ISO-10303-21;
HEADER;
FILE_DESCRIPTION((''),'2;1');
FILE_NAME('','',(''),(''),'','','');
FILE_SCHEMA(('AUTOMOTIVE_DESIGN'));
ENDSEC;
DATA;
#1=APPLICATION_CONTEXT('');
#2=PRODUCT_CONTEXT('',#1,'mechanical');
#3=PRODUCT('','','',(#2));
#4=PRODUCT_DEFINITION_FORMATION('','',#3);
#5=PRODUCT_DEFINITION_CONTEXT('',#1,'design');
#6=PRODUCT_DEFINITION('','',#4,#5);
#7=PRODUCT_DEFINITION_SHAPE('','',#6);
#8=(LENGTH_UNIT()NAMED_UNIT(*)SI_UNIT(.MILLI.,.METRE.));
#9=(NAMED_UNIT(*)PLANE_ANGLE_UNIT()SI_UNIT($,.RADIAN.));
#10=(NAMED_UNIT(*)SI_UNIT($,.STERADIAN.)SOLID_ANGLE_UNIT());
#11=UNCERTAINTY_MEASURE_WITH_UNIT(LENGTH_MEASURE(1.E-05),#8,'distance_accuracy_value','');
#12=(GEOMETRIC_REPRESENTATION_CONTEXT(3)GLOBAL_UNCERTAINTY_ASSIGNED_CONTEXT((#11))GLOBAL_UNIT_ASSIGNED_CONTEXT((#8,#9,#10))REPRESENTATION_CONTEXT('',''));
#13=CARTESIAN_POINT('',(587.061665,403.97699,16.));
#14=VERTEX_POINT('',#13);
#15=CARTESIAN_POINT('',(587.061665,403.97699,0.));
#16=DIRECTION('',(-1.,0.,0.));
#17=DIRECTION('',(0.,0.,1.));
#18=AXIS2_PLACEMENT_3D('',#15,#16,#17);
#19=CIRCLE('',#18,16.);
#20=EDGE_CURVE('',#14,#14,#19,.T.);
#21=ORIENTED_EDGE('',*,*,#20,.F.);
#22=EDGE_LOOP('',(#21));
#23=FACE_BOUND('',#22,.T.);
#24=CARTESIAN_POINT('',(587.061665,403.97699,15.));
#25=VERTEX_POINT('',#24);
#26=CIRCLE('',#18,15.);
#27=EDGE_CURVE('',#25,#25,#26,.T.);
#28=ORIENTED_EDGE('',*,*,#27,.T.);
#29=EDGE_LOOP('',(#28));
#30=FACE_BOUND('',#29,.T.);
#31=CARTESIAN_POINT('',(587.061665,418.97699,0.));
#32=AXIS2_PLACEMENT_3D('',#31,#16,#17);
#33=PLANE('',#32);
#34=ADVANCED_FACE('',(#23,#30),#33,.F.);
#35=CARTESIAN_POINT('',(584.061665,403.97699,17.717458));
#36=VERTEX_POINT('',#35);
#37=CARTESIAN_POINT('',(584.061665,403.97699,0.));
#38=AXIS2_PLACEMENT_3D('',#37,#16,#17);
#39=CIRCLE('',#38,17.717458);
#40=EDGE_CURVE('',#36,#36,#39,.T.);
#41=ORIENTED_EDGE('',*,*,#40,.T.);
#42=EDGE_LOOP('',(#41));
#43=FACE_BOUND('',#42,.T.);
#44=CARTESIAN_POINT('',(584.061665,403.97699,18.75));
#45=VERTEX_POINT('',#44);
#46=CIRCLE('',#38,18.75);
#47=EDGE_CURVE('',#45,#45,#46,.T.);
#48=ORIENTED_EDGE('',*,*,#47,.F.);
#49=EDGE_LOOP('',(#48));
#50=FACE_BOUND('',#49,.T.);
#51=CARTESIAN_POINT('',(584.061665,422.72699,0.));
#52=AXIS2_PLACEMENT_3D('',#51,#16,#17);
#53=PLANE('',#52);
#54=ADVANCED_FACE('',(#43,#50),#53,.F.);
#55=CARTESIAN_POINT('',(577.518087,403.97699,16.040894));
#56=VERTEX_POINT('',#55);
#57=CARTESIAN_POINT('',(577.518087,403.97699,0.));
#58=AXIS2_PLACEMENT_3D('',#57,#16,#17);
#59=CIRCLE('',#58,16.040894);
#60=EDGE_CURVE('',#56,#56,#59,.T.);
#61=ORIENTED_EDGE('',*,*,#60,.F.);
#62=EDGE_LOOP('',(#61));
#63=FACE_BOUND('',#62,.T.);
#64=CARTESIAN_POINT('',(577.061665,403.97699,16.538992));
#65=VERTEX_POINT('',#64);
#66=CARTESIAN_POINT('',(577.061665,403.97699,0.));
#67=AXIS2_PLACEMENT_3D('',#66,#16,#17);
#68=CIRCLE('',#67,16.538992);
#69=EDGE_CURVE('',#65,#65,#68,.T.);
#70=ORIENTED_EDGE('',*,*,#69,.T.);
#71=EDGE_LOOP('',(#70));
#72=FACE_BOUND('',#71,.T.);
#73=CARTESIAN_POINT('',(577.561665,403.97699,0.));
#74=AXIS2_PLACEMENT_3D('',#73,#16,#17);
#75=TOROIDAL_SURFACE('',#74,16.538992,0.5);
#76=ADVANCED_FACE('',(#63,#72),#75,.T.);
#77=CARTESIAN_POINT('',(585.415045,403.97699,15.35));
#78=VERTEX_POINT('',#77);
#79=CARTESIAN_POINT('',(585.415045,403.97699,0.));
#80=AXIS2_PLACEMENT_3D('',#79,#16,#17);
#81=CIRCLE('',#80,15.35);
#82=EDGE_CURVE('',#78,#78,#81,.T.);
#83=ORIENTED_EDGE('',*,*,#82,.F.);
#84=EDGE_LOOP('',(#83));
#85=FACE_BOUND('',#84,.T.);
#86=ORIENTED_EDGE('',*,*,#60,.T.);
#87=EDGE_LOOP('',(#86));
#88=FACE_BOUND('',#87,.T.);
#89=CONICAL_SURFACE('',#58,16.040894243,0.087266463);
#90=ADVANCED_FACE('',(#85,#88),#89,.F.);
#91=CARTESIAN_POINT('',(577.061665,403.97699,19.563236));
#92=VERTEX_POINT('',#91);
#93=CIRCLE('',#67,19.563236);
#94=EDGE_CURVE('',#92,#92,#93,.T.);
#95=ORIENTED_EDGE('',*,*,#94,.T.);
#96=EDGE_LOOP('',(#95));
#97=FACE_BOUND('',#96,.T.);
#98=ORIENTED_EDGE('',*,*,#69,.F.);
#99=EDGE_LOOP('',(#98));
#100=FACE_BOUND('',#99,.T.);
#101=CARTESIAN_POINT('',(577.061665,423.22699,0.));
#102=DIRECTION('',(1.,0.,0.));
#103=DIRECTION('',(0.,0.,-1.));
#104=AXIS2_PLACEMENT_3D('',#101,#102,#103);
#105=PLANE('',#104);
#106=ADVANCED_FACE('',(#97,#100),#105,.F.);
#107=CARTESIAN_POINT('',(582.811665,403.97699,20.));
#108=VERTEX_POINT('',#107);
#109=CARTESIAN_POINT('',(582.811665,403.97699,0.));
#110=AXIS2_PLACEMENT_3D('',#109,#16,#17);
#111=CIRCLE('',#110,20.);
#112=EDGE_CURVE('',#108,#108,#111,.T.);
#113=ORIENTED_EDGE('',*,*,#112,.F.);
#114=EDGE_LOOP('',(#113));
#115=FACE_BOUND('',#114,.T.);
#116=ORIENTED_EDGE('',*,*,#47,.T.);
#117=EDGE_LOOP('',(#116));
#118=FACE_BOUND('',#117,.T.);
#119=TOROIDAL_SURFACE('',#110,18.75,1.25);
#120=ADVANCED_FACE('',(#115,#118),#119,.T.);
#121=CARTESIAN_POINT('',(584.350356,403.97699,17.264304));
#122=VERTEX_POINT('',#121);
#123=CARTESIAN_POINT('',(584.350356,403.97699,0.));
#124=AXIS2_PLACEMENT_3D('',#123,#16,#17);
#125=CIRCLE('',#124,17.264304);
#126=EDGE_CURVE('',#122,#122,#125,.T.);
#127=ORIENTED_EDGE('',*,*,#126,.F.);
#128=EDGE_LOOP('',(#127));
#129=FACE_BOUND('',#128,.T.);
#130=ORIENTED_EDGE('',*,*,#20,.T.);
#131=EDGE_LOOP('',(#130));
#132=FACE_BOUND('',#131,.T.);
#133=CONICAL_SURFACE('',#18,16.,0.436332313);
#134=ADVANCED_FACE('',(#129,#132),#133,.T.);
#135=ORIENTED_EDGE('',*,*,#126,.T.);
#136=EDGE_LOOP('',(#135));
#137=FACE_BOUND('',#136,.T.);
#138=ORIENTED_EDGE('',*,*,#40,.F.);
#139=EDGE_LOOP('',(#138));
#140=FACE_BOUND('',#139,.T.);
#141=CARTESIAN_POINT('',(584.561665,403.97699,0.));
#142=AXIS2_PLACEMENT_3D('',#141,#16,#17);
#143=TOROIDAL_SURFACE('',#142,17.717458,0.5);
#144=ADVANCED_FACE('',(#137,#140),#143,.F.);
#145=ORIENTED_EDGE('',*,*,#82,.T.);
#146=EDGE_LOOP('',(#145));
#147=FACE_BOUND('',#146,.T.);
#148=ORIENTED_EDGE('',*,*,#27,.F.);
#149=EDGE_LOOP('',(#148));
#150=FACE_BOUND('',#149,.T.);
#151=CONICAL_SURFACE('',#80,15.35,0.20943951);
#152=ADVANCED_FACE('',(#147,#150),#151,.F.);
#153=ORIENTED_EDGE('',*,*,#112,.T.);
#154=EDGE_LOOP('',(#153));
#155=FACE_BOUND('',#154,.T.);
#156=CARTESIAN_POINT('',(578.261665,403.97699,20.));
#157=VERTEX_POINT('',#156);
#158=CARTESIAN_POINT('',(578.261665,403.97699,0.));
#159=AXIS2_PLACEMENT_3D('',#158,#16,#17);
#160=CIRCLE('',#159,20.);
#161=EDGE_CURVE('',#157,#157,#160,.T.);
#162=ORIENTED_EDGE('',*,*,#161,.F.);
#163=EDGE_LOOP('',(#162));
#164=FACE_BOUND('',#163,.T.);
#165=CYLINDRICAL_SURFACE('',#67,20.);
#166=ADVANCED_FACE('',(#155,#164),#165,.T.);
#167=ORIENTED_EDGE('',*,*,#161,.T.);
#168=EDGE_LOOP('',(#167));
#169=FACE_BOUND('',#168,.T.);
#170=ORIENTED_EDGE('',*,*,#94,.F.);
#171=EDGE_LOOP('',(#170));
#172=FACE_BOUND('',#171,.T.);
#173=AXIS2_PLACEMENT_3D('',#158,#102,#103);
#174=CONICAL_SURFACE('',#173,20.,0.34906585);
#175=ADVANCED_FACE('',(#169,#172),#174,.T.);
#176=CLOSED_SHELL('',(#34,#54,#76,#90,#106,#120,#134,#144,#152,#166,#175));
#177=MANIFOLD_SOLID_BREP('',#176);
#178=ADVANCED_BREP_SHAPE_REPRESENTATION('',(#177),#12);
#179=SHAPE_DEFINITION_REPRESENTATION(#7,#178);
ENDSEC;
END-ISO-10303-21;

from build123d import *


with BuildPart() as part:
    # Sketch1 → Revolve1 (revolve)
    with BuildSketch(Plane.XY):
        with BuildLine():
            Line((577.061665053, 423.226990018), (577.061665053, 420.51598161))
            add(Edge.make_bspline(
                [(577.061665053, 420.51598161), (577.061665053, 420.242966746), (577.246111222, 420.041679075), (577.518087182, 420.017884261)],
                knots=[0, 0, 0, 0, 1, 1, 1, 1], degree=3, weights=[1, 0.824851558, 0.824851558, 1]))
            Line((577.518087182, 420.017884261), (585.415044515, 419.326990018))
            Line((585.415044515, 419.326990018), (587.061665053, 418.976990018))
            Line((587.061665053, 418.976990018), (587.061665053, 419.976990018))
            Line((587.061665053, 419.976990018), (584.350355922, 421.24129423))
            add(Edge.make_bspline(
                [(584.061665053, 421.694448123), (584.061665053, 421.494469327), (584.169113582, 421.325808921), (584.350355922, 421.24129423)],
                knots=[0, 0, 0, 0, 1, 1, 1, 1], degree=3, weights=[1, 0.895594297, 0.895594297, 1]))
            Line((584.061665053, 421.694448123), (584.061665053, 422.726990018))
            add(Edge.make_bspline(
                [(584.061665053, 422.726990018), (584.061665053, 423.459223065), (583.5438981, 423.976990018), (582.811665053, 423.976990018)],
                knots=[0, 0, 0, 0, 1, 1, 1, 1], degree=3, weights=[1, 0.804737854, 0.804737854, 1]))
            Line((582.811665053, 423.976990018), (578.261665053, 423.976990018))
            Line((578.261665053, 423.976990018), (577.061665053, 423.540225737))
            Line((577.061665053, 423.540225737), (577.061665053, 423.226990018))
        make_face()
    revolve(axis=Axis((577.061665053, 403.976990018, 0), (1, 0, 0)))


solid = part.part
